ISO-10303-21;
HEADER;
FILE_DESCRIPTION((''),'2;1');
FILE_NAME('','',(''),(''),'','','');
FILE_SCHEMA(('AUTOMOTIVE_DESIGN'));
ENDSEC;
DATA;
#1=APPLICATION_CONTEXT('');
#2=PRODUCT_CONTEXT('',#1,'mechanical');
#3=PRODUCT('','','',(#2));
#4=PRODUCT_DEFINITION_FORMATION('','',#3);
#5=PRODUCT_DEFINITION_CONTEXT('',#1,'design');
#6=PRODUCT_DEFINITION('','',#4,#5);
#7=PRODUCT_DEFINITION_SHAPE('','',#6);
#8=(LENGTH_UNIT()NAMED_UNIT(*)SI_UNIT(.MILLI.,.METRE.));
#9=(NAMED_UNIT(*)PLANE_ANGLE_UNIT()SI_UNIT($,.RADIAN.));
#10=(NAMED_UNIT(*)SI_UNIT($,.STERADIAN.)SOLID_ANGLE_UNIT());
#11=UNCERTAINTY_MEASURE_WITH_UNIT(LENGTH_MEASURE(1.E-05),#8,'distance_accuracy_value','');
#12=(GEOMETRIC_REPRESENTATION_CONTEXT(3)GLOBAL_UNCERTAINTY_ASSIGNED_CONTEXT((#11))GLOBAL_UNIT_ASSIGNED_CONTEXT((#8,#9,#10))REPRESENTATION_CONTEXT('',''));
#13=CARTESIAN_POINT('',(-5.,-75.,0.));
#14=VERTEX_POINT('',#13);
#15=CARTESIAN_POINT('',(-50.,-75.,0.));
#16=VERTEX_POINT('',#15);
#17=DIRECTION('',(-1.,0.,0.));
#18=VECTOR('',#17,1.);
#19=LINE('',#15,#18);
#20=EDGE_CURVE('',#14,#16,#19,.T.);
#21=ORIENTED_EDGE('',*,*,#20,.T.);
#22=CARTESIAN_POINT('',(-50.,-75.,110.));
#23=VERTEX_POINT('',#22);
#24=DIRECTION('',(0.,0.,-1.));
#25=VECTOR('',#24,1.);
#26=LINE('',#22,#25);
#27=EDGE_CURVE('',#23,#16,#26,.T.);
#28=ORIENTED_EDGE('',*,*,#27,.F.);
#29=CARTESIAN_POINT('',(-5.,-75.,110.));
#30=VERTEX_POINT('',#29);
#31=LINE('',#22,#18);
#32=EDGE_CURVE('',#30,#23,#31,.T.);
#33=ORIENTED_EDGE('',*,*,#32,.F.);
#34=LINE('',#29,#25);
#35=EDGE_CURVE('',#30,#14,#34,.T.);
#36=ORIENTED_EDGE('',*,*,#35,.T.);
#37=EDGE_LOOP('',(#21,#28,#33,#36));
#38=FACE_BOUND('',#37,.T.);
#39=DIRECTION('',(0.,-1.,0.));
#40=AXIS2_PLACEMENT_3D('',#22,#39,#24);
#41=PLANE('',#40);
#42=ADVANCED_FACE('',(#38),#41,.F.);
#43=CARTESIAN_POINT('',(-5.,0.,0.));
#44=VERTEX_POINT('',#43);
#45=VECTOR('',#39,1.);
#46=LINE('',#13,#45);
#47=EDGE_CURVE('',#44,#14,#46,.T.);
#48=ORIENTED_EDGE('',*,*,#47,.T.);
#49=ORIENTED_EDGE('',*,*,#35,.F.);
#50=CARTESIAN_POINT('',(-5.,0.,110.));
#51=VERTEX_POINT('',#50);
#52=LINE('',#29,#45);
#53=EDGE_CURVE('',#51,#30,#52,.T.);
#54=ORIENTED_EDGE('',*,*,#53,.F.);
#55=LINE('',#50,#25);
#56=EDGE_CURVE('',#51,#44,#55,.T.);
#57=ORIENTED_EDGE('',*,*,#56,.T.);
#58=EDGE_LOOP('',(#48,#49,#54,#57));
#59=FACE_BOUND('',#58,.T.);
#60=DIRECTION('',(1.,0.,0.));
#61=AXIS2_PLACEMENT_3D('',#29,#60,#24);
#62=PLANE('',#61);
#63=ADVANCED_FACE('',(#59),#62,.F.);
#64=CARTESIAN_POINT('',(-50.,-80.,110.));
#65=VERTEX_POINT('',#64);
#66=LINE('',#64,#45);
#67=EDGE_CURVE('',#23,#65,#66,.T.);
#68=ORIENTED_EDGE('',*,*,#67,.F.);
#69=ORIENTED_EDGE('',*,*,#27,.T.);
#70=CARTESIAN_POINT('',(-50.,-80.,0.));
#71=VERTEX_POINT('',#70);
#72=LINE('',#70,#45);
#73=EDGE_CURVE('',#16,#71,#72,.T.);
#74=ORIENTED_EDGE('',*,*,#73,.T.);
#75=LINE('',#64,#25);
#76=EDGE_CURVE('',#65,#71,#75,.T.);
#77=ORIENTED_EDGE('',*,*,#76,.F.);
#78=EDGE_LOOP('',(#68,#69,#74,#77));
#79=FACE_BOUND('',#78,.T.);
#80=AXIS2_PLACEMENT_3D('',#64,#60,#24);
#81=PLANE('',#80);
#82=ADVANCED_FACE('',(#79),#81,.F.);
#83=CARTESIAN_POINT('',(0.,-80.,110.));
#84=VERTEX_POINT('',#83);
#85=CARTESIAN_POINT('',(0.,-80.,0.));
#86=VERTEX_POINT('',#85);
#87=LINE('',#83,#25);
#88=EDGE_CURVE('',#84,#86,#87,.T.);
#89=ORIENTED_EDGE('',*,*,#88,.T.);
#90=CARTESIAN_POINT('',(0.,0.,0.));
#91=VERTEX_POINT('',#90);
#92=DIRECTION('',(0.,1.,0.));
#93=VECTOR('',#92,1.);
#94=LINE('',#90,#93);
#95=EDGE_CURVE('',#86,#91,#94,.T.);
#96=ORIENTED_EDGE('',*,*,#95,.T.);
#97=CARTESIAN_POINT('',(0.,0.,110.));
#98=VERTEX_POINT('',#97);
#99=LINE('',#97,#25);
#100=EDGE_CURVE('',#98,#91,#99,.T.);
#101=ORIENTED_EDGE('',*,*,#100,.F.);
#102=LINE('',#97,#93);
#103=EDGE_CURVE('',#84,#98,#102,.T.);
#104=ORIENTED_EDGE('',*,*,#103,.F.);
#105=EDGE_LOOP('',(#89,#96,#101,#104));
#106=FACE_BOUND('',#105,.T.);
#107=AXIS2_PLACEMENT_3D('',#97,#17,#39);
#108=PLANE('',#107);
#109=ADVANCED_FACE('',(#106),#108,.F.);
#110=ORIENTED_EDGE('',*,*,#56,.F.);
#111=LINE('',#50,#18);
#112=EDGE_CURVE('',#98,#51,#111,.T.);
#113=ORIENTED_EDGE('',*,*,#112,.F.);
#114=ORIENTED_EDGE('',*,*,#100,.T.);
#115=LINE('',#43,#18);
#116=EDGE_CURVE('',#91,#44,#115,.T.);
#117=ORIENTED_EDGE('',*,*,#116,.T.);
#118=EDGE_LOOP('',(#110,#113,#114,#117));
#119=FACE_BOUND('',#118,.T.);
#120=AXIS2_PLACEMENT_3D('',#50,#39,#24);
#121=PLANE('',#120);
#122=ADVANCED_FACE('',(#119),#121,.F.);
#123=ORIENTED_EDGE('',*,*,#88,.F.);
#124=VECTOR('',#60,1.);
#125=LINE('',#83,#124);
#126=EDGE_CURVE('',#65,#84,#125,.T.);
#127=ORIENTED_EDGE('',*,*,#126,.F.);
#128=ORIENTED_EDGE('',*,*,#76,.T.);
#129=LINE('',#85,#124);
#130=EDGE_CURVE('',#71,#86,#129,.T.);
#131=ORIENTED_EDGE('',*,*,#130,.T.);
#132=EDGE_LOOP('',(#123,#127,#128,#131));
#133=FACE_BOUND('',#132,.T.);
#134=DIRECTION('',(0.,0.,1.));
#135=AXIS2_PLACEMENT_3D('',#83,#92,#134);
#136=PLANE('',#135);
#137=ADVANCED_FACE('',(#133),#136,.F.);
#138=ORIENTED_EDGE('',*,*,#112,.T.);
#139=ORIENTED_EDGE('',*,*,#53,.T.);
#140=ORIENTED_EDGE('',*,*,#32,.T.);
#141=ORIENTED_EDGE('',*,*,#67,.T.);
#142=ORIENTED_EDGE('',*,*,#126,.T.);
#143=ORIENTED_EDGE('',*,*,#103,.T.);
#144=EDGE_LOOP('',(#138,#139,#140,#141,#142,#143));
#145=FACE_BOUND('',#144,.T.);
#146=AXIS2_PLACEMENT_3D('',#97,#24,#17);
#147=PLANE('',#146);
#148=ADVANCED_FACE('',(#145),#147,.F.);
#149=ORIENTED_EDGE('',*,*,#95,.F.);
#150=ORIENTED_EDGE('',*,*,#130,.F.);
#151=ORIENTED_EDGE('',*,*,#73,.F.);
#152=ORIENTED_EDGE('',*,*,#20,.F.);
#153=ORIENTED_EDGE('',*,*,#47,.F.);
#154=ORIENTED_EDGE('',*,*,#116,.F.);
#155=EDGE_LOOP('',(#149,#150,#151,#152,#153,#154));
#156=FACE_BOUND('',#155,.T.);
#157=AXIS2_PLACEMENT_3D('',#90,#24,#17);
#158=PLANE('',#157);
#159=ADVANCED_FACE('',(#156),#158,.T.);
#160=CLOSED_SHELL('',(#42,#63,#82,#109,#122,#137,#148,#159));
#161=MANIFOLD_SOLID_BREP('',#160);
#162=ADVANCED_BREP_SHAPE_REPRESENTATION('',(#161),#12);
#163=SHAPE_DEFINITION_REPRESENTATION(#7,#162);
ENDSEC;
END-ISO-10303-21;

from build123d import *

# Parameters (mm, degrees)
BOSS_EXTRUDE1_DEPTH = 110


with BuildPart() as part:
    # Sketch1 → Boss-Extrude1 (new body)
    with BuildSketch(Plane.XY):
        Polygon((0, 0), (0, -80), (-50, -80), (-50, -75), (-5, -75), (-5, 0), align=None)
    extrude(amount=BOSS_EXTRUDE1_DEPTH)


solid = part.part
